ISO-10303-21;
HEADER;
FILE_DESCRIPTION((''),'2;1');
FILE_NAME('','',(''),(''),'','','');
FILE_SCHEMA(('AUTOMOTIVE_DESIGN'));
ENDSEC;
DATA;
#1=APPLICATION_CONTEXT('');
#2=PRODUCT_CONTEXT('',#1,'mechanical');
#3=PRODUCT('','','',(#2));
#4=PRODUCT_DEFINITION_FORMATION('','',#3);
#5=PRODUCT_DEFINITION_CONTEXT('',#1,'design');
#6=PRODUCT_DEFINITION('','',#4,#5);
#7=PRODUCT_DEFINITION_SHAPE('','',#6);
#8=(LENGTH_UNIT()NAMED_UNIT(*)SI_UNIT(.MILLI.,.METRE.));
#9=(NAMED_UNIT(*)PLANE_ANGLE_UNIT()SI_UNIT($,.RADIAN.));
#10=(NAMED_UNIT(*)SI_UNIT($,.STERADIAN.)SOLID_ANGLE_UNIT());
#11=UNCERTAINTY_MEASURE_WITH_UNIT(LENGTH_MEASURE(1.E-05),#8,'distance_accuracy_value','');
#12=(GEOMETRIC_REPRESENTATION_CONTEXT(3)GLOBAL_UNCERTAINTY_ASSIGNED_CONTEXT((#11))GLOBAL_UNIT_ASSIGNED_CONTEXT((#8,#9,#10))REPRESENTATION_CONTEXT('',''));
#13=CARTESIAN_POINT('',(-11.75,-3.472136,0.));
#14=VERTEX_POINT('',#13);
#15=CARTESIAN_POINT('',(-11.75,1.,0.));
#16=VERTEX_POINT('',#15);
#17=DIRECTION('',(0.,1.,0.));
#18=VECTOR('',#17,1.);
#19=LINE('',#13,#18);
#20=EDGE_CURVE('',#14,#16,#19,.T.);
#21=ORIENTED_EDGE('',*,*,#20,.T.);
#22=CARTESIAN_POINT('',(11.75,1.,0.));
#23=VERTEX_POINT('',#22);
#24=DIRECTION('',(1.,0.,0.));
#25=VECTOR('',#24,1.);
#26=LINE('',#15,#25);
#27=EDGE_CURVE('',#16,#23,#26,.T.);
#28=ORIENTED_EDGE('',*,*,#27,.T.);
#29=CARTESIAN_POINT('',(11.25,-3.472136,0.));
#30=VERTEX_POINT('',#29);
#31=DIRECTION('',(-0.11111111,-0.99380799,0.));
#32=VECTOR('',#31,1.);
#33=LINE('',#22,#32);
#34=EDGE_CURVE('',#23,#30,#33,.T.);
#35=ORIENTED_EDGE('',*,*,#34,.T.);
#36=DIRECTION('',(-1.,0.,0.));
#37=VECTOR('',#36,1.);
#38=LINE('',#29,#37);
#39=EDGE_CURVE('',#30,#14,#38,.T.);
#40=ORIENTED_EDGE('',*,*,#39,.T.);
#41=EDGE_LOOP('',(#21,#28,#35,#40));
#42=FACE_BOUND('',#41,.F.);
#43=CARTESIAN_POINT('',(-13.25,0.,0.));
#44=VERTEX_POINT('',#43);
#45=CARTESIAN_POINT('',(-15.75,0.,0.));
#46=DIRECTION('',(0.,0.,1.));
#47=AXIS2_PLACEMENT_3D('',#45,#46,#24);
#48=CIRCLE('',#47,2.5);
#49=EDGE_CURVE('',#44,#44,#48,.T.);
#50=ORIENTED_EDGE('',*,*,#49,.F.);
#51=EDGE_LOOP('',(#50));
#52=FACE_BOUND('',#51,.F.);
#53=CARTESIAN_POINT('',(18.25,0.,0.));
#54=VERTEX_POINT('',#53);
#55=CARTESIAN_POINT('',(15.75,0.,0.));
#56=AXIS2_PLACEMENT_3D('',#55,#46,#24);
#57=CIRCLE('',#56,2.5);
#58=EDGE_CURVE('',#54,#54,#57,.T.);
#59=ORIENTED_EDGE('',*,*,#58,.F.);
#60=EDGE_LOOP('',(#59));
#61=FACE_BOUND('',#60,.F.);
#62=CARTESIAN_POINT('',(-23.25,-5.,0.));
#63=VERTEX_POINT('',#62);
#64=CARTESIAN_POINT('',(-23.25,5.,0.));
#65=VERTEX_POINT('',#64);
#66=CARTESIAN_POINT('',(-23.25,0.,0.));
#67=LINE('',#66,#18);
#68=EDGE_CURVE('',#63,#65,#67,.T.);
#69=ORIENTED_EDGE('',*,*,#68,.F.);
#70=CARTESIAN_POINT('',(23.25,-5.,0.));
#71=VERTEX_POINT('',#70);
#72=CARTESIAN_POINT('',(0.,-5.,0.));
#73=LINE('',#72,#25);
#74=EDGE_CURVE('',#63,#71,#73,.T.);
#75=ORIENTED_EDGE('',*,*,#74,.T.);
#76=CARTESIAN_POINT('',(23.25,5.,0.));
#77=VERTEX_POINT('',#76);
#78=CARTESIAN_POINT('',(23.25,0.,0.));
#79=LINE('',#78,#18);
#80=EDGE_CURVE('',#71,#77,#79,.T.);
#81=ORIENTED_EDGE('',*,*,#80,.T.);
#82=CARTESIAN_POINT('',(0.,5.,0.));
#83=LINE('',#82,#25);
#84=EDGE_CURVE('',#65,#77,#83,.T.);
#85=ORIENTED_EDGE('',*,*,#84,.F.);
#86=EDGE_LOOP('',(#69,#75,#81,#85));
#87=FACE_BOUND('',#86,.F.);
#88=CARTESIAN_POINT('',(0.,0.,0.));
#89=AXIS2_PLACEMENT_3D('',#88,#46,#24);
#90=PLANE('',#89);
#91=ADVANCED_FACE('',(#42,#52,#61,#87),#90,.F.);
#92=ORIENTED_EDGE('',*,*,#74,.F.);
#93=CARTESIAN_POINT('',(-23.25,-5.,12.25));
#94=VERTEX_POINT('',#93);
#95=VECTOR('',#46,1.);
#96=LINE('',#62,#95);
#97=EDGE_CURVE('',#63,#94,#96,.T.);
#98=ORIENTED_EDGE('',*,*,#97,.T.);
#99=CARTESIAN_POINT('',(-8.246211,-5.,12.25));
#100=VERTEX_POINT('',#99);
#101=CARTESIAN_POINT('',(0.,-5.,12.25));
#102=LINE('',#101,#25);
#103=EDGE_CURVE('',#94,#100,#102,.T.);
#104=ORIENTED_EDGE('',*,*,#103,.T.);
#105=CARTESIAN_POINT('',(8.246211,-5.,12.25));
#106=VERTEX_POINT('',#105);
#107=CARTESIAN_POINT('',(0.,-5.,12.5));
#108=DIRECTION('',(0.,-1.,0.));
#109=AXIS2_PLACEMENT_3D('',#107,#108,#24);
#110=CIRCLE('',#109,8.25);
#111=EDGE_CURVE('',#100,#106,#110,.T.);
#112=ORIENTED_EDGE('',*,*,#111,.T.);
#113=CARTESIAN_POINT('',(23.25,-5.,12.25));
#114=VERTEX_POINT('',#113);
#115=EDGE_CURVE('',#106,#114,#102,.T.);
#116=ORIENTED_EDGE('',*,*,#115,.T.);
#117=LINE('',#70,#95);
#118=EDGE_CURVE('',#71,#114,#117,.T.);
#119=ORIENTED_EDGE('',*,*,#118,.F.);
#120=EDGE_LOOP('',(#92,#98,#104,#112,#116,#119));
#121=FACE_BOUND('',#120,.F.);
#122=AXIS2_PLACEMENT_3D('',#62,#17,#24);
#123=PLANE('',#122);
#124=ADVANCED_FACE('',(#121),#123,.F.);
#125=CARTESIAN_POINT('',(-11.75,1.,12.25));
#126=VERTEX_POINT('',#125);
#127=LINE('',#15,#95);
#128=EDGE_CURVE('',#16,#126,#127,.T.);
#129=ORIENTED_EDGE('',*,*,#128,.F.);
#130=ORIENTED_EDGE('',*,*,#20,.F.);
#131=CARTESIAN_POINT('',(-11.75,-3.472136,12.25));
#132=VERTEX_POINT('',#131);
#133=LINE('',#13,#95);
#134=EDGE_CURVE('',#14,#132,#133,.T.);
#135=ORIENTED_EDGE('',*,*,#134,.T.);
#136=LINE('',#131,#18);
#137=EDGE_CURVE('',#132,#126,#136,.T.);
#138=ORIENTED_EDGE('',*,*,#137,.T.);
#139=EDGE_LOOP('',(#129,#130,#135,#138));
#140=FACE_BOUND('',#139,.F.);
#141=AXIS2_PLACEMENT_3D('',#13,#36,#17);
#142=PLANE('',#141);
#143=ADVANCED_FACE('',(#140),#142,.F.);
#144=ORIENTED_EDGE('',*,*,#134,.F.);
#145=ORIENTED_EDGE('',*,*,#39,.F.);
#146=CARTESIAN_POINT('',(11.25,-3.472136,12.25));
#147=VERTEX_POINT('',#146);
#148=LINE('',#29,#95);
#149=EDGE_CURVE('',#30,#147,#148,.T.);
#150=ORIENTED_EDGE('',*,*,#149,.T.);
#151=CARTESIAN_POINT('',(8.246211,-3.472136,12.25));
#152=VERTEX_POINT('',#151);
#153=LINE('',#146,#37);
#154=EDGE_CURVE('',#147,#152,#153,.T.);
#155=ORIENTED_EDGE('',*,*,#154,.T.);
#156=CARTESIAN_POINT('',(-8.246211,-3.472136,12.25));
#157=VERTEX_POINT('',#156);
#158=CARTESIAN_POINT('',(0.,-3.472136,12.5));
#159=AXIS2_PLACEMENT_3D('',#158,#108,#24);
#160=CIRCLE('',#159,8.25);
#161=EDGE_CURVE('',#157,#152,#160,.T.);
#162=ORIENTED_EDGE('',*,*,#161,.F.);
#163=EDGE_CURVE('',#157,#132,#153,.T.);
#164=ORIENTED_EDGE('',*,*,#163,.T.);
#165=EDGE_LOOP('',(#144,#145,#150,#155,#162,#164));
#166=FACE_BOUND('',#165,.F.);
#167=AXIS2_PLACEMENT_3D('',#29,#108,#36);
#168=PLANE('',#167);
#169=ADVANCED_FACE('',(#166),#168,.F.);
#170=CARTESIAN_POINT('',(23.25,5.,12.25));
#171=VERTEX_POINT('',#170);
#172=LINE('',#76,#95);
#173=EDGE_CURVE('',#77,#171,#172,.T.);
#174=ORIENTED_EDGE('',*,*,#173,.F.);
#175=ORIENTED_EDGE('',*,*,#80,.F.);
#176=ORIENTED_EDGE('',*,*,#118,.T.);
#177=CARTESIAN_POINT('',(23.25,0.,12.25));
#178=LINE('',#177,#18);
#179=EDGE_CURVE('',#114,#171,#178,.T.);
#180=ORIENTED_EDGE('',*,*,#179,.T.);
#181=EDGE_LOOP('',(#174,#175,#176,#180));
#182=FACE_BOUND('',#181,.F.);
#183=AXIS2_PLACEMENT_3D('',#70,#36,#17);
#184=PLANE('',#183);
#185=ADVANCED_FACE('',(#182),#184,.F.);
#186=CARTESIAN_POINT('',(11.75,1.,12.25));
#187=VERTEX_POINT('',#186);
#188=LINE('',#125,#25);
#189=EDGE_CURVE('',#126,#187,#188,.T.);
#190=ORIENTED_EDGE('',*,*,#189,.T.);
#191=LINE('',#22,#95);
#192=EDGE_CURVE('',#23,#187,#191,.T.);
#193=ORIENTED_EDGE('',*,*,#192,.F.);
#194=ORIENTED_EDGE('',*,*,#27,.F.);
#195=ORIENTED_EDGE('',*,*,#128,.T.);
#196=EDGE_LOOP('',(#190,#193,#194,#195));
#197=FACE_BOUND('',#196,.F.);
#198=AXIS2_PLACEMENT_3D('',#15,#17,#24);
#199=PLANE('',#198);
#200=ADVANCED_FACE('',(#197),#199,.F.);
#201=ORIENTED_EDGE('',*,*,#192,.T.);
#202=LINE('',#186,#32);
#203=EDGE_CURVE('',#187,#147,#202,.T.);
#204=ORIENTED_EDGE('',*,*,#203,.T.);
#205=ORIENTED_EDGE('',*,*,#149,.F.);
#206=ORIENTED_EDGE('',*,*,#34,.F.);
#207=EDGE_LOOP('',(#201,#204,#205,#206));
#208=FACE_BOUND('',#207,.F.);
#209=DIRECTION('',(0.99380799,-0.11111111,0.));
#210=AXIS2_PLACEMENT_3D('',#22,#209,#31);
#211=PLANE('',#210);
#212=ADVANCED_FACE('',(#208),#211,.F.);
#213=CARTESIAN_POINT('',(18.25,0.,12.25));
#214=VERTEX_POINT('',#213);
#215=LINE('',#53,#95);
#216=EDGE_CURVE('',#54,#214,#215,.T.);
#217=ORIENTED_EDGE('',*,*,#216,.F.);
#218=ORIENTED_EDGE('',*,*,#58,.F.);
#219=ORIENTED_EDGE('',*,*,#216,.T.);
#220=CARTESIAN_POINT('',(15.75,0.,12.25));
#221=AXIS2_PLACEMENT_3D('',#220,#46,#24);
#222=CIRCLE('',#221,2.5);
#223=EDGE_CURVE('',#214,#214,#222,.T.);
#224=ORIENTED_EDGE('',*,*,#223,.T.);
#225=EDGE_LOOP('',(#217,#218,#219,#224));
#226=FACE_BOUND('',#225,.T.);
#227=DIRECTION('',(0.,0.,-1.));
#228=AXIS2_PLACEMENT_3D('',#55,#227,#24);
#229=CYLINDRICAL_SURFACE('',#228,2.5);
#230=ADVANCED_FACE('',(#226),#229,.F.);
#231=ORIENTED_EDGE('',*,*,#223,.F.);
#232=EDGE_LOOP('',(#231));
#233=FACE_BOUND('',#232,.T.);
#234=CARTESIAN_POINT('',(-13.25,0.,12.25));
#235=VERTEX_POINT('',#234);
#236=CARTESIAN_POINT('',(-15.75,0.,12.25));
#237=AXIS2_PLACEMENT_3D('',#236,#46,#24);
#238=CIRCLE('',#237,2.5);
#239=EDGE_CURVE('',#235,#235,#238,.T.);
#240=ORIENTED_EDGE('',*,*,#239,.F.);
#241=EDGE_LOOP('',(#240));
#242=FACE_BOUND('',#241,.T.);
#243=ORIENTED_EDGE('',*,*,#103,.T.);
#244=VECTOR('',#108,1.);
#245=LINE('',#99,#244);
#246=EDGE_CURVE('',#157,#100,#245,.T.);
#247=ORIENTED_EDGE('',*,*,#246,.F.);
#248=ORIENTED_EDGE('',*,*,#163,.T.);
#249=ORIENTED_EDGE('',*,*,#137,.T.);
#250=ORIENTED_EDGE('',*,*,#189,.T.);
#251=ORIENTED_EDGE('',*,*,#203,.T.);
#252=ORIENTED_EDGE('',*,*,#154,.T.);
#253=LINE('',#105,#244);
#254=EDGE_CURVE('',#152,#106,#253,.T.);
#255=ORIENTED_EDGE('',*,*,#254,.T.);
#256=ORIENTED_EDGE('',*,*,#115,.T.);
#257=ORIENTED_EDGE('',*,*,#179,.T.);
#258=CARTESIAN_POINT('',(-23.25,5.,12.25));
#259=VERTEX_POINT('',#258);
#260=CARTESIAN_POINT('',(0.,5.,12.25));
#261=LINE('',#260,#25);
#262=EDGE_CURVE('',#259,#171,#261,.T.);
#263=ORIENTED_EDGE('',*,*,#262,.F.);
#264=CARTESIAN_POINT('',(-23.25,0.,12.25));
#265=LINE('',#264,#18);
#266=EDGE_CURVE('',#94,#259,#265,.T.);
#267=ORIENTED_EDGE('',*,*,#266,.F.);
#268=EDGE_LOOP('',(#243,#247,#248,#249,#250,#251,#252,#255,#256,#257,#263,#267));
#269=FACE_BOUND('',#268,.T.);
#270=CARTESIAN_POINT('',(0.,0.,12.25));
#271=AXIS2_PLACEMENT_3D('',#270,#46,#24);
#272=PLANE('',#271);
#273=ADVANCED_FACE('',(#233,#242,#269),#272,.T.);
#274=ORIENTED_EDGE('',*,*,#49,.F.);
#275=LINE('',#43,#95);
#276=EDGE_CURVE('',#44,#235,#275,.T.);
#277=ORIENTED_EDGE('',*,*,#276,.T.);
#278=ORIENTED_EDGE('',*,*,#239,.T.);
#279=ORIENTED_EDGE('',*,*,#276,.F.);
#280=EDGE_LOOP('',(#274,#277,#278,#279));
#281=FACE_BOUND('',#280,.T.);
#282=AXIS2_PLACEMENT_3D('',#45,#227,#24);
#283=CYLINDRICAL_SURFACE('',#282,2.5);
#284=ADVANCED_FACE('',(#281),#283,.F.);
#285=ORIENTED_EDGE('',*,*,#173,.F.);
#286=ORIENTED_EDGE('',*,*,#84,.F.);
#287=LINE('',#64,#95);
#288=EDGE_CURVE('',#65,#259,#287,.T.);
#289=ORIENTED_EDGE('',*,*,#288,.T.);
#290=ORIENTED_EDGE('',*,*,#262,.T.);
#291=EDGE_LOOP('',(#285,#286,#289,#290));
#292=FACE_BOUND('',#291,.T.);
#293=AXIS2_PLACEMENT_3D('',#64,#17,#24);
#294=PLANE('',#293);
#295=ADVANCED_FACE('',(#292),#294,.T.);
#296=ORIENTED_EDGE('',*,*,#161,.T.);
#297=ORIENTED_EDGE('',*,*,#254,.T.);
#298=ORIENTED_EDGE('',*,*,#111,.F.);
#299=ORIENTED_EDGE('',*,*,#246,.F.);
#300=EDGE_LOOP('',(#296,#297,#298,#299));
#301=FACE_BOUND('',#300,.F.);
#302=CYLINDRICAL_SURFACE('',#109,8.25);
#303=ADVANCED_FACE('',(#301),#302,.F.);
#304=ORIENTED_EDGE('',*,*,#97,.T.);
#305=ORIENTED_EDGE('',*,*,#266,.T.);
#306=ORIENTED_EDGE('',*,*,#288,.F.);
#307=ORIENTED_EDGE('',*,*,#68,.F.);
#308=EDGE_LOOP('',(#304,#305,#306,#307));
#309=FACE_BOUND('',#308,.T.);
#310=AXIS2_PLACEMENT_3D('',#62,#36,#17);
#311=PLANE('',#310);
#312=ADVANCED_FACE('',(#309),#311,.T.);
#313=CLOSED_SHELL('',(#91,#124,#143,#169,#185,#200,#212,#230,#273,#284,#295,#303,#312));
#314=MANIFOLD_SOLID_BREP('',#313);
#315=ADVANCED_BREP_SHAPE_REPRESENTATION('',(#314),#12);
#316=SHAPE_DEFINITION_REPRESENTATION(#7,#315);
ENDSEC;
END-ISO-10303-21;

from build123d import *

# Parameters (mm, degrees)
F0_W     = 46.5
F0_H     = 10
F0_R     = 2.5
F1_DEPTH = 12.25
F2_R     = 8.25
F3_DEPTH = 5


with BuildPart() as f1:
    # F0 (on Top) → F1 (new body)
    with BuildSketch(Plane.XY):
        Rectangle(F0_W, F0_H)
        Polygon((11.25, -3.472136), (-11.75, -3.472136), (-11.75, 1), (11.75, 1), align=None, mode=Mode.SUBTRACT)
        with Locations((-15.75, 0)):
            Circle(F0_R, mode=Mode.SUBTRACT)
        with Locations((15.75, 0)):
            Circle(F0_R, mode=Mode.SUBTRACT)
    extrude(amount=F1_DEPTH)

    # F2 (on face) → F3 (cut)
    with BuildSketch(Plane.XZ.offset(5)):
        with Locations((0, 12.5)):
            Circle(F2_R)
    extrude(amount=-F3_DEPTH, mode=Mode.SUBTRACT)


solid = f1.part
